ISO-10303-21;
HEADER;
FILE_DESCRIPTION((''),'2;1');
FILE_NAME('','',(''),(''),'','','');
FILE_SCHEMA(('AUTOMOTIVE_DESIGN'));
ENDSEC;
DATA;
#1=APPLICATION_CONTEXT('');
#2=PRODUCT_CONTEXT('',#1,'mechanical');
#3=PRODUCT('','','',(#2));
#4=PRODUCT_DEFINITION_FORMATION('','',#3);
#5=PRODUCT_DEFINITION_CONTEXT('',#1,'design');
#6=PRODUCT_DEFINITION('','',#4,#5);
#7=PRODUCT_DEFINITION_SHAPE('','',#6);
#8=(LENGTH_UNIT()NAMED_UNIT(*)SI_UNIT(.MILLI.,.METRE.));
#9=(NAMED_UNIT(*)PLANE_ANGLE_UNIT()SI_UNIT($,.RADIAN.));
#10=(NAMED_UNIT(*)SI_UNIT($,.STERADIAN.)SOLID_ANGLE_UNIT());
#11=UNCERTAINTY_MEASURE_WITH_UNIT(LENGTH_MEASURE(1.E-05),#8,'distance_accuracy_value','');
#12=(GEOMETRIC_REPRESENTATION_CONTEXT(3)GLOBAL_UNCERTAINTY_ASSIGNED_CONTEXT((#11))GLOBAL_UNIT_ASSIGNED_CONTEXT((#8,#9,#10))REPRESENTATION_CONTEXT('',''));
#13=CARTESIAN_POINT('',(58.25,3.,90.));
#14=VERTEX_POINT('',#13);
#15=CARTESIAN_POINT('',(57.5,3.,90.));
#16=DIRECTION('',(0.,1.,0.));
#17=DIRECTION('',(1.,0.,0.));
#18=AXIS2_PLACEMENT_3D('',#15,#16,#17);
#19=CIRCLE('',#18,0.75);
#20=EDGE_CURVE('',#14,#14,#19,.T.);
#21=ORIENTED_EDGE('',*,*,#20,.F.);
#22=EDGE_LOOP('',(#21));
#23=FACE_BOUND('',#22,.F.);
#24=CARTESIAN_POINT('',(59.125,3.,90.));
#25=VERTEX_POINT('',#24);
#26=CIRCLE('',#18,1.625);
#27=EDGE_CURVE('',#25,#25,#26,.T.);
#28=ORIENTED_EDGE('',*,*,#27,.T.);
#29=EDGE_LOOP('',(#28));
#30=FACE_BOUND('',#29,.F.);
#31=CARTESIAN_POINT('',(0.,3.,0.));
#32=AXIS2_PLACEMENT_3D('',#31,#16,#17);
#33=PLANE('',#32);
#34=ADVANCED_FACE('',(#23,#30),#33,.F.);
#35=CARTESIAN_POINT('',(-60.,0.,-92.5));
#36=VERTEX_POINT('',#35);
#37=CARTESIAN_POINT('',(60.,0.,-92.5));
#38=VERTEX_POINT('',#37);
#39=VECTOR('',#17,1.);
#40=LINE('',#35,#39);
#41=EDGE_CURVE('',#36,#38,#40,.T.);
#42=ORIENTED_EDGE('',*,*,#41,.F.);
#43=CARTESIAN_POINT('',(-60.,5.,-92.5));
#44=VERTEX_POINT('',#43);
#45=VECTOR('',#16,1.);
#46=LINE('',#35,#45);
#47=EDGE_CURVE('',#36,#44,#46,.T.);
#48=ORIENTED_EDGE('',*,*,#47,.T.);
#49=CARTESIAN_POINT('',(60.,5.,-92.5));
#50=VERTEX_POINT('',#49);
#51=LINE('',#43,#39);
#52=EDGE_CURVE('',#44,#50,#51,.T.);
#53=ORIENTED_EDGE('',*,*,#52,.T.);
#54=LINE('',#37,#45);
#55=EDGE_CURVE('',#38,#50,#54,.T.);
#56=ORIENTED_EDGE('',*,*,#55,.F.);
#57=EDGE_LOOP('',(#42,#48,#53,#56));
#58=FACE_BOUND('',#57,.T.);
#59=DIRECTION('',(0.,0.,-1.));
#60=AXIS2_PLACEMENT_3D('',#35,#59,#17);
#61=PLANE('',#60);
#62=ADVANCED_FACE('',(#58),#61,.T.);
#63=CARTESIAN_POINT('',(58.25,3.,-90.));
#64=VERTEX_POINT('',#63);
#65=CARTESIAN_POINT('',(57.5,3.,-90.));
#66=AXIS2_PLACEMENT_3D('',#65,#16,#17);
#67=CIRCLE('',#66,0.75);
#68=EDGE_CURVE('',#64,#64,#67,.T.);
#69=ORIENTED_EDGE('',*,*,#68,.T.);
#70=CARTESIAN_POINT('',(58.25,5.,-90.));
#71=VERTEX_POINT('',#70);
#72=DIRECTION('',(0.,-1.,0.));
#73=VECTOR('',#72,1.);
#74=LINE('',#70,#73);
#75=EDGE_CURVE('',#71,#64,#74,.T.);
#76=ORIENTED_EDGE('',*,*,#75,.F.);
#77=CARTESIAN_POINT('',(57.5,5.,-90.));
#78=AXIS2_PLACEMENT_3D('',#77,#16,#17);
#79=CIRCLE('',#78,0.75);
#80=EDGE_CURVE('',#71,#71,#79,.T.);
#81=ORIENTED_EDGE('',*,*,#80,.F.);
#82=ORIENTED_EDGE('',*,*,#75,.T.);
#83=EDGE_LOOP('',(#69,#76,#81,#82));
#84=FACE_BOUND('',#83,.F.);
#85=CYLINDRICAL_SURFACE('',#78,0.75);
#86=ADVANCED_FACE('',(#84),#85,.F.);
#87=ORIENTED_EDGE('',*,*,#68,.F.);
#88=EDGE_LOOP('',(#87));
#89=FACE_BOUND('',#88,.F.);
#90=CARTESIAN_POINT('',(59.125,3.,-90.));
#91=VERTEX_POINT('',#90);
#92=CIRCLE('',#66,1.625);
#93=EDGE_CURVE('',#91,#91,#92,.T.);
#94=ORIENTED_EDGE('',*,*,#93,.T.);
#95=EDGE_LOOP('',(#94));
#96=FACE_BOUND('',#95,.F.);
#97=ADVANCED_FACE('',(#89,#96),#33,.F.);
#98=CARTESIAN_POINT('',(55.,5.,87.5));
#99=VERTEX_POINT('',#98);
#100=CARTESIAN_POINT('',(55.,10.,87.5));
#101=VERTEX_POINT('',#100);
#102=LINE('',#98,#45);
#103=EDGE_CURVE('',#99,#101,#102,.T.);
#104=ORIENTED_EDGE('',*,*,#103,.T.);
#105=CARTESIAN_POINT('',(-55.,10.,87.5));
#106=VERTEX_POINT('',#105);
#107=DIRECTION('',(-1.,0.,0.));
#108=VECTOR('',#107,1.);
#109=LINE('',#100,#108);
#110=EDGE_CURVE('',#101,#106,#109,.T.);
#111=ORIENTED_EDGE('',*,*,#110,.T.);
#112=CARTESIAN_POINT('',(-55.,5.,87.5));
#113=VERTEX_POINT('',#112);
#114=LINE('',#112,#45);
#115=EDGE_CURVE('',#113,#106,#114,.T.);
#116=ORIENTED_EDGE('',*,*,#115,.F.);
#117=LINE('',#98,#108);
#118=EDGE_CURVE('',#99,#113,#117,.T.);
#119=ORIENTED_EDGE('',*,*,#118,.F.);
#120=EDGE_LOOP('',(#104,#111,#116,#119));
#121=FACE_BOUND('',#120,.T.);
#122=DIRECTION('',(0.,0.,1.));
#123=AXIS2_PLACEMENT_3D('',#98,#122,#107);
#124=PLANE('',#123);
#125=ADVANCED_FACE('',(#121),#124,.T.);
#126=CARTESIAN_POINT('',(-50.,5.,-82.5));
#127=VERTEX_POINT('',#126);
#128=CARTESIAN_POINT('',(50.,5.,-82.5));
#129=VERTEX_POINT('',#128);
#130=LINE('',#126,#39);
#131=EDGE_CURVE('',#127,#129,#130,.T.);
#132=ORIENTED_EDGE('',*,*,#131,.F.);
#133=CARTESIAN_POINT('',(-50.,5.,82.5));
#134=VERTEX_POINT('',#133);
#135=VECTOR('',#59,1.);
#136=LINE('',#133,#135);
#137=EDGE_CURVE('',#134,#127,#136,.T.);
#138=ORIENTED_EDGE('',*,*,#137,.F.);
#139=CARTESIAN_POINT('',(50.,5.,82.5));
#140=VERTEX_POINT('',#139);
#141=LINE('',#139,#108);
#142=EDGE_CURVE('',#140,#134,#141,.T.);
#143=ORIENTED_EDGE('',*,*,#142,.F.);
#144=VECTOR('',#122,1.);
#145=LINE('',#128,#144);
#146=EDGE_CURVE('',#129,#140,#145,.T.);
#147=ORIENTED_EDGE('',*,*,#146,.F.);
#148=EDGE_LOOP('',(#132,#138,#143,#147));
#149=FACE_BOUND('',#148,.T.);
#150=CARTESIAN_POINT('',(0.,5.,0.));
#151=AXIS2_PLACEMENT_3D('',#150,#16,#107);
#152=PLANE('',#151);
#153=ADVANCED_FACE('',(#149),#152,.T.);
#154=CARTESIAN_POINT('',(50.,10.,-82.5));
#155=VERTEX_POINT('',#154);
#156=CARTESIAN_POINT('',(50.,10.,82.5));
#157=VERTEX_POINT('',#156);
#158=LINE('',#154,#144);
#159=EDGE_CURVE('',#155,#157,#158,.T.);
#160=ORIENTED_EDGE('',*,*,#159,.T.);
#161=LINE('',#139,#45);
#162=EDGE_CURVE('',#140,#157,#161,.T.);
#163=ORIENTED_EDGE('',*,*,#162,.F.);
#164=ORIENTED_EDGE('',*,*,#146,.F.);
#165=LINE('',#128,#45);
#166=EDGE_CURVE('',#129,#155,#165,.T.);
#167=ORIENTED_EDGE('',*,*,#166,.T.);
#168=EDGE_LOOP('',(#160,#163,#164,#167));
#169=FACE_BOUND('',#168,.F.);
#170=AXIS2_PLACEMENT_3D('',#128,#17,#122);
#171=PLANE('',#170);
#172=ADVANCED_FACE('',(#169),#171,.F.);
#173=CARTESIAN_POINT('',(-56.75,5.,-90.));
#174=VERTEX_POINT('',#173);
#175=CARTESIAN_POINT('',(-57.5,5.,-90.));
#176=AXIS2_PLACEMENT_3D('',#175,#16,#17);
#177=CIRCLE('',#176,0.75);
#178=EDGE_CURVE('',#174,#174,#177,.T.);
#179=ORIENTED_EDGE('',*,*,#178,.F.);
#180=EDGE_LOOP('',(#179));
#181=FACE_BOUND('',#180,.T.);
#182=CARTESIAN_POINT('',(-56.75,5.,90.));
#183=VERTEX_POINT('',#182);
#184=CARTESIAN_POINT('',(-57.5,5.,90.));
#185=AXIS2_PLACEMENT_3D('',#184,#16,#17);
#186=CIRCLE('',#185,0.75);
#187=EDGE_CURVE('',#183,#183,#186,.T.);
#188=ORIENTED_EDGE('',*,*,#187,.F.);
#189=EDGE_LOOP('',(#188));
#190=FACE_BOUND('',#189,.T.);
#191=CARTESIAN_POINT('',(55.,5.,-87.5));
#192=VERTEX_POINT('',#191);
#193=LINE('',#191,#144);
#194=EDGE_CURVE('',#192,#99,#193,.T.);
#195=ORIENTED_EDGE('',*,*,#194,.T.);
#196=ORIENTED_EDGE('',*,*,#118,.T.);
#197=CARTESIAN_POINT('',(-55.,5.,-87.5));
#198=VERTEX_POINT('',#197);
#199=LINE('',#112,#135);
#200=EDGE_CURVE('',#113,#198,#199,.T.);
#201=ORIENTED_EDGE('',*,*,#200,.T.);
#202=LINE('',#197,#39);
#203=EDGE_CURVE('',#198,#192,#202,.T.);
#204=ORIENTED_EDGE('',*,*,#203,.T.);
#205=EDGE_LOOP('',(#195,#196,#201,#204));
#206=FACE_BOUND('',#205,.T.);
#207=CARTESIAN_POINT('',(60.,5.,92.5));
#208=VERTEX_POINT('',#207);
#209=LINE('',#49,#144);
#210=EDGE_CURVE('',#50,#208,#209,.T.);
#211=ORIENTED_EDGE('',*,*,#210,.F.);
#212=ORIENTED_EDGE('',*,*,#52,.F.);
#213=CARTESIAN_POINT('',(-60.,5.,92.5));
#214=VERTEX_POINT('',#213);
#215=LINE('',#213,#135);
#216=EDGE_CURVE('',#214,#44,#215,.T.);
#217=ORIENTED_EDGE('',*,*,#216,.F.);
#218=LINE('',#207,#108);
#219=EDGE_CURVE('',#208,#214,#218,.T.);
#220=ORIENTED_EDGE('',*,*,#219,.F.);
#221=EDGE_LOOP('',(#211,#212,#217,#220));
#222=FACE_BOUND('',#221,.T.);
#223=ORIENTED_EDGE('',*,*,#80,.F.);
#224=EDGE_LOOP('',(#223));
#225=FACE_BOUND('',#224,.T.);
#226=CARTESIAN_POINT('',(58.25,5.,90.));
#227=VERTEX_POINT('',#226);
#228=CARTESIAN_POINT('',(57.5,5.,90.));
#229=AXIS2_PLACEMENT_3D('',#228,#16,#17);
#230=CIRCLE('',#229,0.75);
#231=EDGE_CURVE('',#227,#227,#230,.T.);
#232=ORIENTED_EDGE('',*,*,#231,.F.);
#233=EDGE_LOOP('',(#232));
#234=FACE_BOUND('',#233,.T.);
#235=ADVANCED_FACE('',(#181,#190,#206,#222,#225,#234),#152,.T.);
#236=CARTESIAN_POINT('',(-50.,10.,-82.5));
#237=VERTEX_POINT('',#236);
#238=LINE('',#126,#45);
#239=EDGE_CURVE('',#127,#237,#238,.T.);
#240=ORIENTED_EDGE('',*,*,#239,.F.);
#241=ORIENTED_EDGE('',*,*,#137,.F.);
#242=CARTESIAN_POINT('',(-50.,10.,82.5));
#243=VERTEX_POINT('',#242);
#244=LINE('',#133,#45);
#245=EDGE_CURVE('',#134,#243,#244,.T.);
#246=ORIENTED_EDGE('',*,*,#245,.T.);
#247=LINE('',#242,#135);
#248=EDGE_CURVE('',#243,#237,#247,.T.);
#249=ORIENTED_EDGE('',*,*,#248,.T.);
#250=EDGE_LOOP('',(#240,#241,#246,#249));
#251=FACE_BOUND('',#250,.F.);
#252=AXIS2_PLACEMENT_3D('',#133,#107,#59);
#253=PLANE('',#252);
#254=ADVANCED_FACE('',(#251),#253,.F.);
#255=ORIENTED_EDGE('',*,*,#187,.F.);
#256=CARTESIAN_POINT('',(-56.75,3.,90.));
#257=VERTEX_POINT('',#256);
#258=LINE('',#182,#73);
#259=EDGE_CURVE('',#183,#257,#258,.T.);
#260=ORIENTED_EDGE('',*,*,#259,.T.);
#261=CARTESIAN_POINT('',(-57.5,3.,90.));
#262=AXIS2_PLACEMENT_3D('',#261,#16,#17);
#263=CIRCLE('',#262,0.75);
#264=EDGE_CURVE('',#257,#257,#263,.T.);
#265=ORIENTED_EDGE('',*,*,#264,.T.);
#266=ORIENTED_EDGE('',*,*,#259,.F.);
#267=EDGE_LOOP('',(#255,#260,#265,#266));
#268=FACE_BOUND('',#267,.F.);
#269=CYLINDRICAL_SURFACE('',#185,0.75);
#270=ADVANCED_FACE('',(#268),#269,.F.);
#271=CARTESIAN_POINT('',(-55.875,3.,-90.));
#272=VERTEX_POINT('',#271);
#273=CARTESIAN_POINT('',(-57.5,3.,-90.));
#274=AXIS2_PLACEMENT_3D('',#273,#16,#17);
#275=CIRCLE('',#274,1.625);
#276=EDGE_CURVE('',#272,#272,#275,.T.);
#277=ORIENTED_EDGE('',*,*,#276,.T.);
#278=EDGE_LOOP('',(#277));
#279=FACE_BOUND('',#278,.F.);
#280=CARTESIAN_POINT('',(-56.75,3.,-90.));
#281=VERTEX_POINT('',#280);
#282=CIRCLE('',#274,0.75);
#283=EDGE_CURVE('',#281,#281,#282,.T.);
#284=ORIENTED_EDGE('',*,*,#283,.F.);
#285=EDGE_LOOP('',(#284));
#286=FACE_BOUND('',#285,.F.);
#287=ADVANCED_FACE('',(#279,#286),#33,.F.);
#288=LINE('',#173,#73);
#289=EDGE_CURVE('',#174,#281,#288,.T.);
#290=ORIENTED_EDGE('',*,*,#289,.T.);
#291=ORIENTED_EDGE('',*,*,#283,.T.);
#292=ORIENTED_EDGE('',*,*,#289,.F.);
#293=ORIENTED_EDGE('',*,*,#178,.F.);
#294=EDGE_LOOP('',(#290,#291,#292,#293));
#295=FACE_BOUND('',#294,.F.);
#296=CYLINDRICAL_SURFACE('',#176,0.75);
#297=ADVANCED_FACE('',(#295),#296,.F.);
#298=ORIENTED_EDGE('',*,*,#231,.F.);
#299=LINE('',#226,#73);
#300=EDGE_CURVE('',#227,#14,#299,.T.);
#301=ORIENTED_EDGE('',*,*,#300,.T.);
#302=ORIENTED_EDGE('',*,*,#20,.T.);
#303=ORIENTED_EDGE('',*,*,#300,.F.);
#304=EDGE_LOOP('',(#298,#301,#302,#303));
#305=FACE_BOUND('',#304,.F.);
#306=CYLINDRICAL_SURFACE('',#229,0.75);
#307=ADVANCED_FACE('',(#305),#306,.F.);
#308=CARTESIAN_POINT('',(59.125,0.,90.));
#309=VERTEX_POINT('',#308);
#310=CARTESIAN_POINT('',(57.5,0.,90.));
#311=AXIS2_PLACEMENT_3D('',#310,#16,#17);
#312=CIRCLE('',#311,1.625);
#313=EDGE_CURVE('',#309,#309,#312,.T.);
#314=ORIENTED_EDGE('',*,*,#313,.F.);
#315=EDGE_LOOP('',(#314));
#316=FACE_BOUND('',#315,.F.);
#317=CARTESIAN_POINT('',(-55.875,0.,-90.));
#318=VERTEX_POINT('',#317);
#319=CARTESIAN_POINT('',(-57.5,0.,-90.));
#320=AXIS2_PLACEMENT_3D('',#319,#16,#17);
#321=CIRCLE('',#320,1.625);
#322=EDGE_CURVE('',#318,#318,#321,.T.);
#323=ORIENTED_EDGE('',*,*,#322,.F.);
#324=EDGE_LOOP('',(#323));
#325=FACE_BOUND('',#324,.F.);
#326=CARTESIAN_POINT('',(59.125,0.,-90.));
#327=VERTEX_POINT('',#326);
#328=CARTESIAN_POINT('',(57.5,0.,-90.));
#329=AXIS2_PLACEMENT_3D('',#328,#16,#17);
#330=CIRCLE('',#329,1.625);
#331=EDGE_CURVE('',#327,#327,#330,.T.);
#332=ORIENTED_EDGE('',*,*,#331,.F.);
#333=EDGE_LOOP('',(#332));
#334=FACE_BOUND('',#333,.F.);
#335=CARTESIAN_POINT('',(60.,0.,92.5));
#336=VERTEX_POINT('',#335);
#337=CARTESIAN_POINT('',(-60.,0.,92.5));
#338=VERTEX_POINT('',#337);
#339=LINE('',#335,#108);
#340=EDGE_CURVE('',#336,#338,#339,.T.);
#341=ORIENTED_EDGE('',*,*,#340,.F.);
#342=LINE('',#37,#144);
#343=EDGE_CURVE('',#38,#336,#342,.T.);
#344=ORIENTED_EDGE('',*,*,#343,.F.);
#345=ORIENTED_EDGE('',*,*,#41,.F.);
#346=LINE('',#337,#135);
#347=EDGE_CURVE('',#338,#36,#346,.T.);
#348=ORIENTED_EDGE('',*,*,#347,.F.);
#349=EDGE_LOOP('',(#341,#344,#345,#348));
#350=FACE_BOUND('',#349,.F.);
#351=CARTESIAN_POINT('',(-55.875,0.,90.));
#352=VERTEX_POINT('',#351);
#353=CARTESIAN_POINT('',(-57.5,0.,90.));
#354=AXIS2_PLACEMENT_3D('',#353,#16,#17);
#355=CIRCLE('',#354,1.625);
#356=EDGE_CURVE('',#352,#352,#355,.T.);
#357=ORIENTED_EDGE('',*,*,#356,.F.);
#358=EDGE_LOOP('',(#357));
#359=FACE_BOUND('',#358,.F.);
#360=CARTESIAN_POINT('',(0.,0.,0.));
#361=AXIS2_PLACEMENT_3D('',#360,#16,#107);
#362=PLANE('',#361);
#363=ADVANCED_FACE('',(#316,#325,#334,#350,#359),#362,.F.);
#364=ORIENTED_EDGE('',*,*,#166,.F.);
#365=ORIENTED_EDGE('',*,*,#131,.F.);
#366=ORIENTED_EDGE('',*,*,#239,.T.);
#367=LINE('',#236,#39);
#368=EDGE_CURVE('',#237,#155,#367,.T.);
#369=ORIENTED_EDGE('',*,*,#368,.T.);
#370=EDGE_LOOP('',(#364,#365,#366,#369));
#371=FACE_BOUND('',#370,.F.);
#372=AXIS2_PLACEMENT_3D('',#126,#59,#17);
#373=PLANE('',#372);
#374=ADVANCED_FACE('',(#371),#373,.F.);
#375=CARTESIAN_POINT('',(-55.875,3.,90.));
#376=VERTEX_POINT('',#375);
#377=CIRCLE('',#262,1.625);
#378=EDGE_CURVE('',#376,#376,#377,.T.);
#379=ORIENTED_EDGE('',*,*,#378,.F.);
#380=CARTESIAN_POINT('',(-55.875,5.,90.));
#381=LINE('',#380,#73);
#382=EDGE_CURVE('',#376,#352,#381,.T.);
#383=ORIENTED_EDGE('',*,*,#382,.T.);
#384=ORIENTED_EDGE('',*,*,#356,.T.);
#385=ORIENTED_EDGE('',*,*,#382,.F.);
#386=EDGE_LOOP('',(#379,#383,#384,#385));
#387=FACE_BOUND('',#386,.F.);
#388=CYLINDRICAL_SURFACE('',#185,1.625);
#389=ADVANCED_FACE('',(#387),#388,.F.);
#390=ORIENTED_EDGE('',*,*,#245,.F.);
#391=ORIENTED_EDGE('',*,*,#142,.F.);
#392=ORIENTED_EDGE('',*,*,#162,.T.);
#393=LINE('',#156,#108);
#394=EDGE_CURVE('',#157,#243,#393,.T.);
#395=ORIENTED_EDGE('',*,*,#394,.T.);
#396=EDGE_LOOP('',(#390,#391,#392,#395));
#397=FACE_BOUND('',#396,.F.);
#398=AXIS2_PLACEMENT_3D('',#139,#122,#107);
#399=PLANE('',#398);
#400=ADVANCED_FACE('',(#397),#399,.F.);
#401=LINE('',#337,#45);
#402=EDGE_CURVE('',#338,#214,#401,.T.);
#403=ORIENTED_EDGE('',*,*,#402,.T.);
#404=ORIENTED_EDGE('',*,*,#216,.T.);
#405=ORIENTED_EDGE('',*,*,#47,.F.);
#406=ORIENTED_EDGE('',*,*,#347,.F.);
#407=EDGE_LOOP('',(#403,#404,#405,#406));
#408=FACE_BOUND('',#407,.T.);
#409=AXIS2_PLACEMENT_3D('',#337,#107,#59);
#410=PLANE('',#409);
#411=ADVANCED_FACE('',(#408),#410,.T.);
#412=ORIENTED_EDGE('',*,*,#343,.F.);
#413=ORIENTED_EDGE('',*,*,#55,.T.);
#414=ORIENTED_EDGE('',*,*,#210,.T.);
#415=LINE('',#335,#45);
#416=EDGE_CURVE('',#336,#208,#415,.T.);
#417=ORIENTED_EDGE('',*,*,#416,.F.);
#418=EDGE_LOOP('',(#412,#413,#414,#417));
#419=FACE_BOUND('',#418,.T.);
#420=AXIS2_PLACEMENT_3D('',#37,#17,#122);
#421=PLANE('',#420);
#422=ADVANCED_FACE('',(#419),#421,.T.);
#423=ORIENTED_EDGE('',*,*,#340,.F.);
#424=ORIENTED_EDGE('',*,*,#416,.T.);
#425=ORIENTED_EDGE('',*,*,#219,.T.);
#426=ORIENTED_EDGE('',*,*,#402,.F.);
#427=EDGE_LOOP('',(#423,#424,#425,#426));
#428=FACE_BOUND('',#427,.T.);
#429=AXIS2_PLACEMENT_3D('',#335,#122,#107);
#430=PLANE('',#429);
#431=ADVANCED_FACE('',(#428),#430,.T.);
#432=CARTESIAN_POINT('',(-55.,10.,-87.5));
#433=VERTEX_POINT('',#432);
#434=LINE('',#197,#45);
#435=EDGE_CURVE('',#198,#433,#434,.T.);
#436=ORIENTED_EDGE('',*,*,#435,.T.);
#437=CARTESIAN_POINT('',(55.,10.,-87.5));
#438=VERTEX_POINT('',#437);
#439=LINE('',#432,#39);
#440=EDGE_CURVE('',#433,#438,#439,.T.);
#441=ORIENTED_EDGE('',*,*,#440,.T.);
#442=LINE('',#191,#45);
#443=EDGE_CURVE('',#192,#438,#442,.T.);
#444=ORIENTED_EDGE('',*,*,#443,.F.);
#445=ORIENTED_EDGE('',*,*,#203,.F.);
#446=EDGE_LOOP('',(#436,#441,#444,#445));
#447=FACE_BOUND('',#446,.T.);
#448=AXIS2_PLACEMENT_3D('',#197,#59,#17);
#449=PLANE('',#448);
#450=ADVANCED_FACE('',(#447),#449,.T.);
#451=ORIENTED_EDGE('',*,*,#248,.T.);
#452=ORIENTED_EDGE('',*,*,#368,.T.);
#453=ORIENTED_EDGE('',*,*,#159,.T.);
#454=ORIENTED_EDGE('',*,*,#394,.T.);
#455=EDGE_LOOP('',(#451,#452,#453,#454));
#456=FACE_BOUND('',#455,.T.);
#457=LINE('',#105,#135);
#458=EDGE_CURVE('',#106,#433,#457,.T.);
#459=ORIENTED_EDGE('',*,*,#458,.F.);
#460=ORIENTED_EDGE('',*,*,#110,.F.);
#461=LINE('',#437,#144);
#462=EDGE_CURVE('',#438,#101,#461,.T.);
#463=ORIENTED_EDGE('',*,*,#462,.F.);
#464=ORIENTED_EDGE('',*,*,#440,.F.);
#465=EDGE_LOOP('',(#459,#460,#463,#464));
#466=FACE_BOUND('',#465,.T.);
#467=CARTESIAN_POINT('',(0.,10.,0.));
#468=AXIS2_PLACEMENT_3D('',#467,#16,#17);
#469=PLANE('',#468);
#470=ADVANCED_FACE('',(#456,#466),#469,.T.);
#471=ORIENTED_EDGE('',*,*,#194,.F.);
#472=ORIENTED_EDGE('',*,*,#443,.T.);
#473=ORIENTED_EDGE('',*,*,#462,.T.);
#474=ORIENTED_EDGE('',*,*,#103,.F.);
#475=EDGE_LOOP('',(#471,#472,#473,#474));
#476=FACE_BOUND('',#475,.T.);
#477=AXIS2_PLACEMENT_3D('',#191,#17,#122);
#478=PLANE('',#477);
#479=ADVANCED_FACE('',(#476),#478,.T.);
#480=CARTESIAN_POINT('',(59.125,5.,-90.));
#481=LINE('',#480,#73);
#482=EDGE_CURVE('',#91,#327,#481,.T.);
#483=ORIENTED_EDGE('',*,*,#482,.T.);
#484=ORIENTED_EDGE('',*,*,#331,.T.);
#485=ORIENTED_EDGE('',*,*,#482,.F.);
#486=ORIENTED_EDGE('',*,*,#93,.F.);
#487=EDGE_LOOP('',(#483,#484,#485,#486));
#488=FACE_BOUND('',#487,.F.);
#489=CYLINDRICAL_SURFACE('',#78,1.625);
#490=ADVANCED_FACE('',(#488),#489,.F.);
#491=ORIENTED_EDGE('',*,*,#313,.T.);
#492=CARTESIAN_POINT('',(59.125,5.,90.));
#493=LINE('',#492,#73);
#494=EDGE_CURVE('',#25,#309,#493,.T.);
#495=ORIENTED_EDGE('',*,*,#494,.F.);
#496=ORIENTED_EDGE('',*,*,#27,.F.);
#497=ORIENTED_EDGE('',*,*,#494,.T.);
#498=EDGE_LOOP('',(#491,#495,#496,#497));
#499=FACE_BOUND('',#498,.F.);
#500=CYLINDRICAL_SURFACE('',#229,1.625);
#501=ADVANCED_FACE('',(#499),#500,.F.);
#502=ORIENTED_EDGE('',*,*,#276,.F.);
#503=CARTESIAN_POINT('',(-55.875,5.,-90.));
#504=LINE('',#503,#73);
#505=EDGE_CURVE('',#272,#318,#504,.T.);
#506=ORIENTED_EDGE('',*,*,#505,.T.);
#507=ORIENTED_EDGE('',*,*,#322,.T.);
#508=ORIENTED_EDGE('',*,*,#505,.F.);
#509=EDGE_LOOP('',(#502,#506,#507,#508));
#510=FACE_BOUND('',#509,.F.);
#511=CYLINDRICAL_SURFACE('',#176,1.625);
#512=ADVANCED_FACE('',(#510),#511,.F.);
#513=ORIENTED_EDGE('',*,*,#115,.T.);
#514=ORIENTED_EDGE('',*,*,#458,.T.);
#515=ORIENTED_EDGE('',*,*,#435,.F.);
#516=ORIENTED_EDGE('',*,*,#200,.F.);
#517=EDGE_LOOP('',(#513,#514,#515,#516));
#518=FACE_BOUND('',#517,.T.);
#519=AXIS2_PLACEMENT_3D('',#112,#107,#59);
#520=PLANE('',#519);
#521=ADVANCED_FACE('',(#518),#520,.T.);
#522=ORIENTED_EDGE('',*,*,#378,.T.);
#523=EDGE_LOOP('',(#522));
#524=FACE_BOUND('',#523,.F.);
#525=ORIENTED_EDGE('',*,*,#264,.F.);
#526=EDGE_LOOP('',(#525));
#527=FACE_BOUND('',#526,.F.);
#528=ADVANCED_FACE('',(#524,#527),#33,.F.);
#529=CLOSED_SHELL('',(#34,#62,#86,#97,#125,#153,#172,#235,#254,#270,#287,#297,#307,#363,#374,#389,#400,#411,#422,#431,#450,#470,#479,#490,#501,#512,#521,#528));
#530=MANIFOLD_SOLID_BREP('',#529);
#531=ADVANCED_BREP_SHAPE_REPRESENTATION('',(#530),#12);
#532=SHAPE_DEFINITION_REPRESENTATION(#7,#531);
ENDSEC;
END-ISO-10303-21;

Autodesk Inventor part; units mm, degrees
ref_plane "YZ Plane" through (0, 0, 0) normal (1, 0, 0) x (0, 1, 0)
ref_plane "XZ Plane" through (0, 0, 0) normal (0, 1, 0) x (-1, 0, 0)
ref_plane "XY Plane" through (0, 0, 0) normal (0, 0, 1) x (1, 0, 0)
sketch "Sketch1" plane through (0, 0, 0) normal (0, 1, 0) x (-1, 0, 0)
  line L0 (-60, 92.5) -> (60, 92.5)
  line L1 (60, 92.5) -> (60, -92.5)
  line L2 (60, -92.5) -> (-60, -92.5)
  line L3 (-60, -92.5) -> (-60, 92.5)
  line L4 (-60, 92.5) -> (60, -92.5) construction
  line L5 (60, 92.5) -> (-60, -92.5) construction
  point P0 (0, 0)
  dimension "d0" = 120
  dimension "d1" = 185
extrude "Extrusion1" add sketch "Sketch1" along normal blind 5
sketch "Sketch2" plane through (0, 5, 0) normal (0, 1, 0) x (1, 0, 0)
  line L0 (55, -87.5) -> (-55, -87.5)
  line L1 (-55, -87.5) -> (-55, 87.5)
  line L2 (-55, 87.5) -> (55, 87.5)
  line L3 (55, 87.5) -> (55, -87.5)
  line L4 (55, -87.5) -> (-55, 87.5) construction
  line L5 (-55, -87.5) -> (55, 87.5) construction
  line L6 (50, -82.5) -> (-50, -82.5)
  line L7 (-50, -82.5) -> (-50, 82.5)
  line L8 (-50, 82.5) -> (50, 82.5)
  line L9 (50, 82.5) -> (50, -82.5)
  line L10 (50, -82.5) -> (-50, 82.5) construction
  line L11 (-50, -82.5) -> (50, 82.5) construction
  point P0 (0, 0)
  dimension "d4" = 110
  dimension "d5" = 175
  dimension "d6" = 100
  dimension "d7" = 165
extrude "Extrusion2" add sketch "Sketch2" along normal blind 5
sketch "Sketch4" plane through (0, 5, 0) normal (0, 1, 0) x (1, 0, 0)
  circle A0 centre (57.5, -90) radius 1.625
  circle A1 centre (57.5, 90) radius 1.625
  circle A2 centre (-57.5, 90) radius 1.625
  circle A3 centre (-57.5, -90) radius 1.625
  point P0 (0, 0)
  dimension "d11" = 3.25
  dimension "d12" = 3.25
  dimension "d13" = 3.25
  dimension "d16" = 3.25
extrude "Extrusion3" cut sketch "Sketch4" against normal blind 5
sketch "Sketch5" plane through (0, 5, 0) normal (0, 1, 0) x (1, 0, 0)
  circle A0 centre (57.5, 90) radius 1.625 projected
  circle A1 centre (57.5, 90) radius 1.625
  circle A2 centre (57.5, -90) radius 1.625 projected
  circle A3 centre (57.5, -90) radius 1.625
  circle A4 centre (-57.5, -90) radius 1.625 projected
  circle A5 centre (-57.5, -90) radius 1.625
  circle A6 centre (-57.5, 90) radius 1.625 projected
  circle A7 centre (-57.5, 90) radius 1.625
  point P0 (0, 0)
extrude "Extrusion4" add sketch "Sketch5" against normal blind 2
sketch "Sketch6" plane through (0, 5, 0) normal (0, 1, 0) x (1, 0, 0)
  circle A0 centre (57.5, 90) radius 1.625 projected
  circle A1 centre (57.5, 90) radius 0.75
  circle A2 centre (57.5, -90) radius 1.625 projected
  circle A3 centre (57.5, -90) radius 0.75
  circle A4 centre (-57.5, -90) radius 1.625 projected
  circle A5 centre (-57.5, -90) radius 0.75
  circle A6 centre (-57.5, 90) radius 1.625 projected
  circle A7 centre (-57.5, 90) radius 0.75
  point P0 (0, 0)
  dimension "d19" = 1.5
  dimension "d20" = 1.5
  dimension "d21" = 1.5
  dimension "d22" = 1.5
extrude "Extrusion5" cut sketch "Sketch6" against normal blind 2 contours A1 | A3 | A5 | A7
properties part number "Enclose Bottom" material "PC/ABS Plastic"
